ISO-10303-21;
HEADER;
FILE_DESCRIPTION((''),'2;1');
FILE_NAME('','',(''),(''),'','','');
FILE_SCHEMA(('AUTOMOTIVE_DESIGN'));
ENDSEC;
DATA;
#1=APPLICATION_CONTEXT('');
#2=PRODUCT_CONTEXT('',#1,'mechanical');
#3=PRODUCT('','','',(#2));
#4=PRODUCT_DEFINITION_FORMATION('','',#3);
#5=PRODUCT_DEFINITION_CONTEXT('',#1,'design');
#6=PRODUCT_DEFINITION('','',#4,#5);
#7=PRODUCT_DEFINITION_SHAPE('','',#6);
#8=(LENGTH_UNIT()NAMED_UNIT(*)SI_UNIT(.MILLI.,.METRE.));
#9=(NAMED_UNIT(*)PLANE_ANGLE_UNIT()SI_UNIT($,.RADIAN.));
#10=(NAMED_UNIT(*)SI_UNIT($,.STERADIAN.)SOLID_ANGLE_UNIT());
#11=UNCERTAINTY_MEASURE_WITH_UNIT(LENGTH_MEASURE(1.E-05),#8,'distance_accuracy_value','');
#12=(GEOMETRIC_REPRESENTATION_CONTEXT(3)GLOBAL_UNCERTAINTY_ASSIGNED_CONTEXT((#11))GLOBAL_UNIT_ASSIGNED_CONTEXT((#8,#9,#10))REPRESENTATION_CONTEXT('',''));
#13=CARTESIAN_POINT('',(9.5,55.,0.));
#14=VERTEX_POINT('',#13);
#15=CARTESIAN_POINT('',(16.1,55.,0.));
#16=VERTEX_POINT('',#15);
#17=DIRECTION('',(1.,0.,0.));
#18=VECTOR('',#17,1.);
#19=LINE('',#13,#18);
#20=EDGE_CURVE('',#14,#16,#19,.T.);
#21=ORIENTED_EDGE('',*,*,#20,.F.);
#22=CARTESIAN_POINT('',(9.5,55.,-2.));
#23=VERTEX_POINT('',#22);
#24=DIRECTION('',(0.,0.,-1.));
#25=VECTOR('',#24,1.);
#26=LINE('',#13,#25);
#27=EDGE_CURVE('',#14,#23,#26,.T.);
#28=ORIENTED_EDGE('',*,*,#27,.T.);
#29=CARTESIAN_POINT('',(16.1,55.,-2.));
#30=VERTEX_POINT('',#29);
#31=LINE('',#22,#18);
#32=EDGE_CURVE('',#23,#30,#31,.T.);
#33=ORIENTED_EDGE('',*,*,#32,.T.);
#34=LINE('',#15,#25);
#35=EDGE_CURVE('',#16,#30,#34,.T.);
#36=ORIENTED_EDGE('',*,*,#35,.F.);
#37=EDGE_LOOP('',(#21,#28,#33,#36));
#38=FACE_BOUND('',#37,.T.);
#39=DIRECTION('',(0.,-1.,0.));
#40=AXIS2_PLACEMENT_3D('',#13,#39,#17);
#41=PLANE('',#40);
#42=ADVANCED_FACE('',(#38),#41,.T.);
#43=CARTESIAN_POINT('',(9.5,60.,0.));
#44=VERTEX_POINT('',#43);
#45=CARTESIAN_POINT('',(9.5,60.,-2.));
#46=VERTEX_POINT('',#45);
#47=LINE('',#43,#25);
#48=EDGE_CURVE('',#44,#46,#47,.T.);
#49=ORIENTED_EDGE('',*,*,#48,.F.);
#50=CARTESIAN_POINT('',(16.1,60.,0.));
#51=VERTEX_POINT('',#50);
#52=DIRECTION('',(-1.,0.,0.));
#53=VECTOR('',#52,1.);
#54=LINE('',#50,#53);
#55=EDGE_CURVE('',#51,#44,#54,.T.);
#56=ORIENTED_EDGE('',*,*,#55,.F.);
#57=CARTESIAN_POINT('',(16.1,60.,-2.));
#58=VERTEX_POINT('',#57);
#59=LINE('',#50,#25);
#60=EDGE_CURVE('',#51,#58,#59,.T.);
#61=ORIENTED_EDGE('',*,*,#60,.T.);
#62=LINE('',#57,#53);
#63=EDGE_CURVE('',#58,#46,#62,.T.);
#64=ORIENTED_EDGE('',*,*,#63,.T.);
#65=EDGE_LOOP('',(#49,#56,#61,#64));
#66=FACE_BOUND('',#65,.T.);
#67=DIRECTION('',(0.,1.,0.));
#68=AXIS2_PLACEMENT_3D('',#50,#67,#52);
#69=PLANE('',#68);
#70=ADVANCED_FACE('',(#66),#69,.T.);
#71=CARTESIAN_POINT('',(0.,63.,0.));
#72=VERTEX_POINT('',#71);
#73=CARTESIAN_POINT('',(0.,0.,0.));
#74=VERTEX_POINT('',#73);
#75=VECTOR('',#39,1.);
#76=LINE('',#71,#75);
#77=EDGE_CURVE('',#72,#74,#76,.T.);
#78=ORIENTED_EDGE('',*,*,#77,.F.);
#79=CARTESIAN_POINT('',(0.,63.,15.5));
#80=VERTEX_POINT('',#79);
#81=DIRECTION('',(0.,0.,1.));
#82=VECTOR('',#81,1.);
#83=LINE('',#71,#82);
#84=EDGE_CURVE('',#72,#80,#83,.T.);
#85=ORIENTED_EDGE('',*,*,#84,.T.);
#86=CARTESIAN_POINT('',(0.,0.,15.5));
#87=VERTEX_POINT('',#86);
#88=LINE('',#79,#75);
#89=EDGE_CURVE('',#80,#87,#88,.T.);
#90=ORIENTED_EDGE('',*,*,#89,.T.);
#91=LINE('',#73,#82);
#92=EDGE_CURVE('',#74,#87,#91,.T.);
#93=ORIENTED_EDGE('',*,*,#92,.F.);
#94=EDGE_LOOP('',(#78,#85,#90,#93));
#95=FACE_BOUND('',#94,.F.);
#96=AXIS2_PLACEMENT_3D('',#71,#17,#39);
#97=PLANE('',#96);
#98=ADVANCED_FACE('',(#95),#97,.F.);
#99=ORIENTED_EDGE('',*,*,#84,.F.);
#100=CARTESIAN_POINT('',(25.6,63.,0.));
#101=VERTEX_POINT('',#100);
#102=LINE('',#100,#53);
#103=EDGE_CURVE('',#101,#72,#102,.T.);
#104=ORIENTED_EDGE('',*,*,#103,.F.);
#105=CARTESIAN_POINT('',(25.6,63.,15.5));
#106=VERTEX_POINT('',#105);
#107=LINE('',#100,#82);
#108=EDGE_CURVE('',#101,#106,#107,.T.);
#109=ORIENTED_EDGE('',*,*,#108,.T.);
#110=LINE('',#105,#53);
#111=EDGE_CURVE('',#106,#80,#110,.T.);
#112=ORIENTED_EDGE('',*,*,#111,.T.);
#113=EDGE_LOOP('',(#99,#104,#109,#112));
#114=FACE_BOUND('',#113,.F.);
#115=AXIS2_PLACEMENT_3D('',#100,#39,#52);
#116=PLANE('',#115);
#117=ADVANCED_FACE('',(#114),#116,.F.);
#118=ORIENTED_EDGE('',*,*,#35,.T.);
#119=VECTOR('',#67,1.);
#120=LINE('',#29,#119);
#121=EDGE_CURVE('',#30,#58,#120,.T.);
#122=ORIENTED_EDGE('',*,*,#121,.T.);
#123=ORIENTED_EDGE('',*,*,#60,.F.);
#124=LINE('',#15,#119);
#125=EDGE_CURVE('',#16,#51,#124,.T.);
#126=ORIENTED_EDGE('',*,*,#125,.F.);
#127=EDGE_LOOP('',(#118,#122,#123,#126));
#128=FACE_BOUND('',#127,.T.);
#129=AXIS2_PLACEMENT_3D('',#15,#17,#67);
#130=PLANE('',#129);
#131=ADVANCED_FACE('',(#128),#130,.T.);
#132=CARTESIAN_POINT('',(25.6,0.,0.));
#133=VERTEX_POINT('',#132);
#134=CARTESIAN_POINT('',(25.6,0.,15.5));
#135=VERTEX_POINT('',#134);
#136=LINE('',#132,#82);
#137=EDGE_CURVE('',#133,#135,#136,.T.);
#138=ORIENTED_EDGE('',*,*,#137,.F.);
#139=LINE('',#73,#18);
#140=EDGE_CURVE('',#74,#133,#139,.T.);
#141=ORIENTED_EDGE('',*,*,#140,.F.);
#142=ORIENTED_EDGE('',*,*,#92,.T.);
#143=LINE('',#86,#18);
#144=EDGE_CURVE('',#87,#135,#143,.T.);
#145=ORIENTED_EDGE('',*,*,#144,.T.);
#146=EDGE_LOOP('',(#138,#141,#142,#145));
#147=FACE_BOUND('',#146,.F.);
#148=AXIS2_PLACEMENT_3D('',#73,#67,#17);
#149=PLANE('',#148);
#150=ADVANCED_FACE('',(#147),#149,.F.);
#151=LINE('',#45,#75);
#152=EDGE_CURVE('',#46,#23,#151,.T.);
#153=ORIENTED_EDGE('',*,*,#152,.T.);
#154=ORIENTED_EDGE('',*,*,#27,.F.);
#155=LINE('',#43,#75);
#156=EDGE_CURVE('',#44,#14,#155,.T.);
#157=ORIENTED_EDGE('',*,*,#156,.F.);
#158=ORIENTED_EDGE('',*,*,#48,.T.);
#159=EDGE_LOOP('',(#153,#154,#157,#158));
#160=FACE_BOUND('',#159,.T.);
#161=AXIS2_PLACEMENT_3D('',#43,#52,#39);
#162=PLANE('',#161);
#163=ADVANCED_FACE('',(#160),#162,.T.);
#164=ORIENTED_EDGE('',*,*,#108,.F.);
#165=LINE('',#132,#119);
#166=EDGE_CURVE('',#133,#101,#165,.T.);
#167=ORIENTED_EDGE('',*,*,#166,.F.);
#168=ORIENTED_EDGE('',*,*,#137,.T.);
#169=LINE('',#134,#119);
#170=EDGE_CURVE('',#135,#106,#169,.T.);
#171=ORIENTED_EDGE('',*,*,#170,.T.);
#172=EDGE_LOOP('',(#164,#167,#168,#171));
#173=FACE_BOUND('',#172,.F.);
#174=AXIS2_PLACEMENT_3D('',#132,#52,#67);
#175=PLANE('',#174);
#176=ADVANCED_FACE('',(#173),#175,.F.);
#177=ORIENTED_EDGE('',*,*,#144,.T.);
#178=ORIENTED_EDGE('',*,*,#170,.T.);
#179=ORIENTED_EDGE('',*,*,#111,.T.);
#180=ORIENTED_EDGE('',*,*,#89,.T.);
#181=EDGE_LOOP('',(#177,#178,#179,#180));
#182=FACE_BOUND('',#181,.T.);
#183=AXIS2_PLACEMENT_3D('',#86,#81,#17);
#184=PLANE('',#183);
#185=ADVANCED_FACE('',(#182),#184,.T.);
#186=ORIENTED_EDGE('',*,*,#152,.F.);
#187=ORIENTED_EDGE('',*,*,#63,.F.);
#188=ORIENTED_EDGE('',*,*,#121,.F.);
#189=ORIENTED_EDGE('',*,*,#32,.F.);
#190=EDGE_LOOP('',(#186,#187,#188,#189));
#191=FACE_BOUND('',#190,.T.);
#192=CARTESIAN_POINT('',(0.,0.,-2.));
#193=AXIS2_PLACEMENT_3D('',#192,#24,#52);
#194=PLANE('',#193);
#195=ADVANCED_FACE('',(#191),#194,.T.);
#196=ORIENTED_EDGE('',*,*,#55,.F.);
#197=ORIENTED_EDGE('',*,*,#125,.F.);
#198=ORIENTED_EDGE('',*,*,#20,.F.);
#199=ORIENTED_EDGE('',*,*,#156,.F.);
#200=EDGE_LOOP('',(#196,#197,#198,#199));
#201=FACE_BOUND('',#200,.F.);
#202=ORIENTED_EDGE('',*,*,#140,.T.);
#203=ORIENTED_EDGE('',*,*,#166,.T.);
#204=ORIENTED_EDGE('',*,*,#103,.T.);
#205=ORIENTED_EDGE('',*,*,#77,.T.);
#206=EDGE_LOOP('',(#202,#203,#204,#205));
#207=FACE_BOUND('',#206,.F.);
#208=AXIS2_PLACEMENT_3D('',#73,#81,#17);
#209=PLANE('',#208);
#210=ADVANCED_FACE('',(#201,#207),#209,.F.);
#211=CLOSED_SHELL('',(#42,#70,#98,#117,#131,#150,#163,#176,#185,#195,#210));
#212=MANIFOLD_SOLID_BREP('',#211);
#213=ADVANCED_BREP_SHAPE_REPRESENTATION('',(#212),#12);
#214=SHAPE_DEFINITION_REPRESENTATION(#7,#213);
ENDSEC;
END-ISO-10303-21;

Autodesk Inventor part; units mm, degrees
ref_plane "YZ Plane" through (0, 0, 0) normal (1, 0, 0) x (0, 1, 0)
ref_plane "XZ Plane" through (0, 0, 0) normal (0, 1, 0) x (-1, 0, 0)
ref_plane "XY Plane" through (0, 0, 0) normal (0, 0, 1) x (1, 0, 0)
sketch "Sketch3" plane through (0, 0, 0) normal (0, 0, 1) x (1, 0, 0)
  line L0 (0, 0) -> (25.6, 0)
  line L1 (25.6, 0) -> (25.6, 63)
  line L2 (25.6, 63) -> (0, 63)
  line L3 (0, 63) -> (0, 0)
  dimension "d0" = 25.6
  dimension "d1" = 63
extrude "Extrusion1" add sketch "Sketch3" along normal blind 15.5
sketch "Sketch4" plane through (0, 0, 0) normal (0, 0, -1) x (-1, 0, 0)
  line L0 (-16.1, 60) -> (-9.5, 60)
  line L1 (-9.5, 60) -> (-9.5, 55)
  line L2 (-9.5, 55) -> (-16.1, 55)
  line L3 (-16.1, 55) -> (-16.1, 60)
  line L4 (-25.6, 0) -> (-25.6, 63) projected
  line L5 (0, 63) -> (0, 0) projected
  line L6 (-25.6, 63) -> (0, 63) projected
  dimension "d4" = 9.5
  dimension "d5" = 9.5
  dimension "d8" = 3
  dimension "d10" = 5
extrude "Extrusion2" add sketch "Sketch4" along normal blind 2
properties part number "battery"
